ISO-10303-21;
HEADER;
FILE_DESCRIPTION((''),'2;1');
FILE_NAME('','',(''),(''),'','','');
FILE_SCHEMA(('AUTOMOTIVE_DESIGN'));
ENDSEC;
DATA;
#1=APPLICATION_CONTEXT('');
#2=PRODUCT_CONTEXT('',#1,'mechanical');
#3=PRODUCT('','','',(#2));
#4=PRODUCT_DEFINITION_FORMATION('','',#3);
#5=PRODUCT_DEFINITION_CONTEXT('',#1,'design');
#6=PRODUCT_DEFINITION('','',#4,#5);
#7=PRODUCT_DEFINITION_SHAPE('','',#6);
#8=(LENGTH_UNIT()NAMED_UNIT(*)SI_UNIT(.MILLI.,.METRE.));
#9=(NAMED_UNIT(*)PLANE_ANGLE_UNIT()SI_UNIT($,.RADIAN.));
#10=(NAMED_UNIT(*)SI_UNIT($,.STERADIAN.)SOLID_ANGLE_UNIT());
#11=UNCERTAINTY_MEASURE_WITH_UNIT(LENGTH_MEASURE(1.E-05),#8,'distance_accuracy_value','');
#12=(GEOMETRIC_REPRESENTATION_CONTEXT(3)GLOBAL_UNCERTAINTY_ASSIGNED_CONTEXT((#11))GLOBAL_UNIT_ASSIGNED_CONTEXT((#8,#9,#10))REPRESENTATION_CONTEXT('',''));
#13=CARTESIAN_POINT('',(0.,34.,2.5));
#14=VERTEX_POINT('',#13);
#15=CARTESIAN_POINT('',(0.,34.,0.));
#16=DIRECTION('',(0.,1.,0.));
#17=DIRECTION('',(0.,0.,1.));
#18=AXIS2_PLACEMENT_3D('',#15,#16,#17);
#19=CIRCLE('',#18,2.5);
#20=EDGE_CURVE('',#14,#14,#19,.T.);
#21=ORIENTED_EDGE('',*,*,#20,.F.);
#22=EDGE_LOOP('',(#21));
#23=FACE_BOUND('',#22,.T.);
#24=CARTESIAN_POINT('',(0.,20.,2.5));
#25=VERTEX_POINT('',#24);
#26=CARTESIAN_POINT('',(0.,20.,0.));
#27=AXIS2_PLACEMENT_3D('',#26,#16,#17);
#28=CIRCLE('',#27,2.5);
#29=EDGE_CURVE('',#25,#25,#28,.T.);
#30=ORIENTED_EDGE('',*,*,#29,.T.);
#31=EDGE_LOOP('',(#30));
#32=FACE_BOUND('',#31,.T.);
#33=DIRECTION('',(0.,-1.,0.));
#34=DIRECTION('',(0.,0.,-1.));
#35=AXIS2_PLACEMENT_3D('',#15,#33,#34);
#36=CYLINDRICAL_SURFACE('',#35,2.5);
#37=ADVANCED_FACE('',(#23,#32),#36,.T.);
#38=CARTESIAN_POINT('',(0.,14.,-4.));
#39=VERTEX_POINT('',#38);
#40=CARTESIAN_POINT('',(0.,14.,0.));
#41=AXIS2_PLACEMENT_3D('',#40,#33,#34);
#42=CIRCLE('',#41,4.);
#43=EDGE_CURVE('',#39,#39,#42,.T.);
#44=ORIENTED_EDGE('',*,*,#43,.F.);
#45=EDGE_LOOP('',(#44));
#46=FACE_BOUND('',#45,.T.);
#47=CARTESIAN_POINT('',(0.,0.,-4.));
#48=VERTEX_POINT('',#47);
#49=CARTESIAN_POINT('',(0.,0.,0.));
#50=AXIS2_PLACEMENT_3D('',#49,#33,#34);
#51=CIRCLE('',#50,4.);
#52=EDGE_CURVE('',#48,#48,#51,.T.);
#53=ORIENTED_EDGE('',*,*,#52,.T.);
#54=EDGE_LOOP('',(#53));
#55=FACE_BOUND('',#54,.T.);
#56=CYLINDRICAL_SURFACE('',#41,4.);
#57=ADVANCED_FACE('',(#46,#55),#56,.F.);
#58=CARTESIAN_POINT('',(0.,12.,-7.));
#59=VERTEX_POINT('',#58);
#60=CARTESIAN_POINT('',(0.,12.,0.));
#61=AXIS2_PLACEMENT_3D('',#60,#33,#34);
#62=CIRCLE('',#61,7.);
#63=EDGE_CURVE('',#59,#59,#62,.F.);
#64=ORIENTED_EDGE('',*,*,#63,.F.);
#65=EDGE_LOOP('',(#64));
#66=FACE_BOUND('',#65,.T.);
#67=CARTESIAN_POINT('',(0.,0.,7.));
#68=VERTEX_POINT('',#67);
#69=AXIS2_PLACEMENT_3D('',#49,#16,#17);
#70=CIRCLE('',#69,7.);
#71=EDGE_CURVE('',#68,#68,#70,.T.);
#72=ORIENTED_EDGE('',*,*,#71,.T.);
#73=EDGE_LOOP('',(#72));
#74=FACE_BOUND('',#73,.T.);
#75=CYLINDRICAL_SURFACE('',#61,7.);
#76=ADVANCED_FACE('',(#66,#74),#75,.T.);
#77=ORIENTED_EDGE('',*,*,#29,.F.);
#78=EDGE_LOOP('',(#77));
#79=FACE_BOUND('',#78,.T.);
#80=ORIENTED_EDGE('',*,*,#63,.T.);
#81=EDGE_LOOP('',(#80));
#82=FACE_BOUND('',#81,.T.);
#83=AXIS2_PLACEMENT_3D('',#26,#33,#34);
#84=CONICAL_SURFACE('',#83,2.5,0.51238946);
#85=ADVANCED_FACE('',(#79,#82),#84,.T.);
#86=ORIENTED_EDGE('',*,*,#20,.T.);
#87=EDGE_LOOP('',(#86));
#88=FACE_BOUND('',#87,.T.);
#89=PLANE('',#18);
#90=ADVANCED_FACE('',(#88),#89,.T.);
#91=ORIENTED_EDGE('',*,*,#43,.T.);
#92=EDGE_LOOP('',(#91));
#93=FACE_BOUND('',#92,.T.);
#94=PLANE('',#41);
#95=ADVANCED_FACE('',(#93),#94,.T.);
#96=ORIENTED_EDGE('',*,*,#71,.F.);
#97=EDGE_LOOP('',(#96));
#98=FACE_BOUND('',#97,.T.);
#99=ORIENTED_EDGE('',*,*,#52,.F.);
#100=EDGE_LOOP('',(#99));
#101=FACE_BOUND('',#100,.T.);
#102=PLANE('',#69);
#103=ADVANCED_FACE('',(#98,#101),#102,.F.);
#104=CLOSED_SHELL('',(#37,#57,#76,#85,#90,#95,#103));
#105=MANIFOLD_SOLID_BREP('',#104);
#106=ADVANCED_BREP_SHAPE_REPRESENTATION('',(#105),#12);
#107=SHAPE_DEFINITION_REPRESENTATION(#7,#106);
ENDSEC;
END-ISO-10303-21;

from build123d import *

# Parameters (mm, degrees)
SKETCH1_R           = 7
BOSS_EXTRUDE1_DEPTH = 12
SKETCH3_R           = 2.5
SKETCH4_R           = 7
SKETCH5_R           = 2.5
BOSS_EXTRUDE2_DEPTH = 14
SKETCH6_R           = 4
CUT_EXTRUDE1_DEPTH  = 14


with BuildPart() as part:
    # Sketch1 → Boss-Extrude1 (new body)
    with BuildSketch(Plane(origin=(0, 0, 0), x_dir=(1, 0, 0), z_dir=(0, 1, 0))):
        with Locations(Location((0, 0, 0), (0, 0, 270))):
            Circle(SKETCH1_R)
    extrude(amount=BOSS_EXTRUDE1_DEPTH)

    # Sketch3 → Loft1 section 0
    with BuildSketch(Plane(origin=(0, 20, 0), x_dir=(1, 0, 0), z_dir=(0, 1, 0))):
        Circle(SKETCH3_R)
    # Sketch4 → Loft1 section 1
    with BuildSketch(Plane(origin=(0, 12, 0), x_dir=(1, 0, 0), z_dir=(0, 1, 0))):
        Circle(SKETCH4_R)
    loft()

    # Sketch5 → Boss-Extrude2 (add)
    with BuildSketch(Plane(origin=(0, 20, 0), x_dir=(1, 0, 0), z_dir=(0, 1, 0))):
        with Locations(Location((0, 0, 0), (0, 0, 270))):
            Circle(SKETCH5_R)
    extrude(amount=BOSS_EXTRUDE2_DEPTH)

    # Sketch6 → Cut-Extrude1 (cut)
    with BuildSketch(Plane.XZ):
        with Locations(Location((0, 0, 0), (0, 0, 270))):
            Circle(SKETCH6_R)
    extrude(amount=-CUT_EXTRUDE1_DEPTH, mode=Mode.SUBTRACT)


solid = part.part
